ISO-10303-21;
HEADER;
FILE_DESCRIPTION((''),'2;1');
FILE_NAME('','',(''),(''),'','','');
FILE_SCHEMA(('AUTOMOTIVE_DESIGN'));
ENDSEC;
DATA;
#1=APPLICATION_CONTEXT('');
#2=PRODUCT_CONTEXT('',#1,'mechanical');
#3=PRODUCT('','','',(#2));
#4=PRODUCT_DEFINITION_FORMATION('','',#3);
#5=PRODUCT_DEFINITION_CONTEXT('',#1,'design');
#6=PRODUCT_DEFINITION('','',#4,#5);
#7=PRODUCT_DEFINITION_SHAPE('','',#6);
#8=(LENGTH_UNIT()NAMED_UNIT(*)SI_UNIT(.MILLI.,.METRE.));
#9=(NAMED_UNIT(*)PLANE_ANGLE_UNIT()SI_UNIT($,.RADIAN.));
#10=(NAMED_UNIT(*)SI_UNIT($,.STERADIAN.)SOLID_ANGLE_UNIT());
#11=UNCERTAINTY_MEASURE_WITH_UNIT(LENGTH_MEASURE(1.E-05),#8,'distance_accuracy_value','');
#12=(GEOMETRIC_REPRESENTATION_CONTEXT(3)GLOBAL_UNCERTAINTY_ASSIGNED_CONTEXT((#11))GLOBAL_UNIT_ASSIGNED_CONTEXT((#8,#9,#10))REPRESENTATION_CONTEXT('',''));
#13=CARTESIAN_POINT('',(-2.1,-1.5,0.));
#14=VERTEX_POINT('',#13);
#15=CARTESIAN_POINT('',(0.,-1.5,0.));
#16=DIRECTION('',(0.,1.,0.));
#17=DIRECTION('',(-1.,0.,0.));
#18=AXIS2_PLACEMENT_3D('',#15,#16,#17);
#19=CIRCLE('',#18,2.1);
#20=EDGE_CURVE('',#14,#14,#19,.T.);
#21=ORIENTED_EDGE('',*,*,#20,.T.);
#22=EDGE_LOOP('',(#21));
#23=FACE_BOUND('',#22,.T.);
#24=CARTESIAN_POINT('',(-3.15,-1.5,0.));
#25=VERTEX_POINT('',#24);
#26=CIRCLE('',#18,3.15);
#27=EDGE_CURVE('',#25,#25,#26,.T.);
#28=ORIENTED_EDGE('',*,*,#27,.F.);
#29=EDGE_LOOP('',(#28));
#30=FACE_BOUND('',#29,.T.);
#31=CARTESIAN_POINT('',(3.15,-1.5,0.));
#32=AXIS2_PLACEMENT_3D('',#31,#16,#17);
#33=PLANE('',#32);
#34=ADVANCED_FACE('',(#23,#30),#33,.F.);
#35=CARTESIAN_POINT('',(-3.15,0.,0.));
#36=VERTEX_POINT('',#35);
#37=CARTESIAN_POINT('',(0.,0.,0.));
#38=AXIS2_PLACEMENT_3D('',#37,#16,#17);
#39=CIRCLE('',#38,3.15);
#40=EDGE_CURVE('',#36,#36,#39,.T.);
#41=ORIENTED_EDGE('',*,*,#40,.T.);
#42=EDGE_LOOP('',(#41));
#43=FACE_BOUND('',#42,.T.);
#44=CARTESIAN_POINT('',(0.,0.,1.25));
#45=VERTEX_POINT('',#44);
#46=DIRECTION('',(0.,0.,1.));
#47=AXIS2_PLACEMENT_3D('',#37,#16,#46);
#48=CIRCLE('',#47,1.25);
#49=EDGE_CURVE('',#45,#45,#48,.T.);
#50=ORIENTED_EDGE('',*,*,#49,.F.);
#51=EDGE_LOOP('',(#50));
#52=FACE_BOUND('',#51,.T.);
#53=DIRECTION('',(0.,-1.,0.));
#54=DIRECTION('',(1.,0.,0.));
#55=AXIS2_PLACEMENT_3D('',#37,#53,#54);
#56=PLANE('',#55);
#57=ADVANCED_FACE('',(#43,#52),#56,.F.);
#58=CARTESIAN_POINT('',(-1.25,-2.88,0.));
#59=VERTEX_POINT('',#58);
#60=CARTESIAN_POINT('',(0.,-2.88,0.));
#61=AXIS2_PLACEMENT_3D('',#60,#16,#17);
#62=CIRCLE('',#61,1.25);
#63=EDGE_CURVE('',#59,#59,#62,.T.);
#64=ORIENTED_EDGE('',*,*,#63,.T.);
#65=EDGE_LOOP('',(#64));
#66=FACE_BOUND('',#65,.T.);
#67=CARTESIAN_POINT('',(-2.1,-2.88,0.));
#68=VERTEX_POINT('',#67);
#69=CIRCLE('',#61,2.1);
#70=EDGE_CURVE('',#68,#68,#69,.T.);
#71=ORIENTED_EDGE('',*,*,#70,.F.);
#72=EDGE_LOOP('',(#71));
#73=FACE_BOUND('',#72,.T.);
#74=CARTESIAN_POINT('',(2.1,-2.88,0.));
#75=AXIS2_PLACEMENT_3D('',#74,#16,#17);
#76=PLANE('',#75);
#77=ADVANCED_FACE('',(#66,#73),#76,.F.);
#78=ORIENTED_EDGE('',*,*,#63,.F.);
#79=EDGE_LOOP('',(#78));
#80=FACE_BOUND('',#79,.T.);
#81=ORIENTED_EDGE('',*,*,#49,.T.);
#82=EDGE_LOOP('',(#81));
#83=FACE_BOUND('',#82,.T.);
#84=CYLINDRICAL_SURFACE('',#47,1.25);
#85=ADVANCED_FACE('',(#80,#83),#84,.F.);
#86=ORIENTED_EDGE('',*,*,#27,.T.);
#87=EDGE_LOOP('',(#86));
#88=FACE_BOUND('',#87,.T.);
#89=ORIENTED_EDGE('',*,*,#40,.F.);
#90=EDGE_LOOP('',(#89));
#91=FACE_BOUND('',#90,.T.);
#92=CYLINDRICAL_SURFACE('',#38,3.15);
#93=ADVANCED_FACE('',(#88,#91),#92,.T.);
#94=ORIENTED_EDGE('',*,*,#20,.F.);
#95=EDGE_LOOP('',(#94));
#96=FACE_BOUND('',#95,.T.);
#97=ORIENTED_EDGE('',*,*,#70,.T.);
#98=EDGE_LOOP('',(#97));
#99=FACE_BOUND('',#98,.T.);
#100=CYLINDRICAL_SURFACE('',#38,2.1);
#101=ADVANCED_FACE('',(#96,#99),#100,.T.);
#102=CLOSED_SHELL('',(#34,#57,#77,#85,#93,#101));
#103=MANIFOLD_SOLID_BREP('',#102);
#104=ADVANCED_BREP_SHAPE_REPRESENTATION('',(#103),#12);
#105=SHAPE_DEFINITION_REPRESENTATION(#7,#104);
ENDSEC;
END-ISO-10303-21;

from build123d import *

# Parameters (mm, degrees)
TALADRO_ROSCADO_M31_D     = 2.5
TALADRO_ROSCADO_M31_DEPTH = 10
TALADRO_ROSCADO_M31_TIP   = 0.751075774


with BuildPart() as part:
    # Croquis1 → Revolución1 (revolve)
    with BuildSketch(Plane.XY):
        Polygon((0, 0), (3.15, 0), (3.15, -1.5), (2.1, -1.5), (2.1, -2.88), (0, -2.88), align=None)
    revolve(axis=Axis((0, 0, 0), (0, -1, 0)))

    # Taladro roscado M31
    with Locations(Plane(origin=(0, 0, 0), x_dir=(1, 0, 0), z_dir=(0, 1, 0))):
        with Locations((0, 0)):
            Hole(TALADRO_ROSCADO_M31_D / 2, depth=TALADRO_ROSCADO_M31_DEPTH)
            with Locations((0, 0, -(TALADRO_ROSCADO_M31_DEPTH + TALADRO_ROSCADO_M31_TIP / 2))):  # 118° drill point
                Cone(0, TALADRO_ROSCADO_M31_D / 2, TALADRO_ROSCADO_M31_TIP, mode=Mode.SUBTRACT)


solid = part.part
